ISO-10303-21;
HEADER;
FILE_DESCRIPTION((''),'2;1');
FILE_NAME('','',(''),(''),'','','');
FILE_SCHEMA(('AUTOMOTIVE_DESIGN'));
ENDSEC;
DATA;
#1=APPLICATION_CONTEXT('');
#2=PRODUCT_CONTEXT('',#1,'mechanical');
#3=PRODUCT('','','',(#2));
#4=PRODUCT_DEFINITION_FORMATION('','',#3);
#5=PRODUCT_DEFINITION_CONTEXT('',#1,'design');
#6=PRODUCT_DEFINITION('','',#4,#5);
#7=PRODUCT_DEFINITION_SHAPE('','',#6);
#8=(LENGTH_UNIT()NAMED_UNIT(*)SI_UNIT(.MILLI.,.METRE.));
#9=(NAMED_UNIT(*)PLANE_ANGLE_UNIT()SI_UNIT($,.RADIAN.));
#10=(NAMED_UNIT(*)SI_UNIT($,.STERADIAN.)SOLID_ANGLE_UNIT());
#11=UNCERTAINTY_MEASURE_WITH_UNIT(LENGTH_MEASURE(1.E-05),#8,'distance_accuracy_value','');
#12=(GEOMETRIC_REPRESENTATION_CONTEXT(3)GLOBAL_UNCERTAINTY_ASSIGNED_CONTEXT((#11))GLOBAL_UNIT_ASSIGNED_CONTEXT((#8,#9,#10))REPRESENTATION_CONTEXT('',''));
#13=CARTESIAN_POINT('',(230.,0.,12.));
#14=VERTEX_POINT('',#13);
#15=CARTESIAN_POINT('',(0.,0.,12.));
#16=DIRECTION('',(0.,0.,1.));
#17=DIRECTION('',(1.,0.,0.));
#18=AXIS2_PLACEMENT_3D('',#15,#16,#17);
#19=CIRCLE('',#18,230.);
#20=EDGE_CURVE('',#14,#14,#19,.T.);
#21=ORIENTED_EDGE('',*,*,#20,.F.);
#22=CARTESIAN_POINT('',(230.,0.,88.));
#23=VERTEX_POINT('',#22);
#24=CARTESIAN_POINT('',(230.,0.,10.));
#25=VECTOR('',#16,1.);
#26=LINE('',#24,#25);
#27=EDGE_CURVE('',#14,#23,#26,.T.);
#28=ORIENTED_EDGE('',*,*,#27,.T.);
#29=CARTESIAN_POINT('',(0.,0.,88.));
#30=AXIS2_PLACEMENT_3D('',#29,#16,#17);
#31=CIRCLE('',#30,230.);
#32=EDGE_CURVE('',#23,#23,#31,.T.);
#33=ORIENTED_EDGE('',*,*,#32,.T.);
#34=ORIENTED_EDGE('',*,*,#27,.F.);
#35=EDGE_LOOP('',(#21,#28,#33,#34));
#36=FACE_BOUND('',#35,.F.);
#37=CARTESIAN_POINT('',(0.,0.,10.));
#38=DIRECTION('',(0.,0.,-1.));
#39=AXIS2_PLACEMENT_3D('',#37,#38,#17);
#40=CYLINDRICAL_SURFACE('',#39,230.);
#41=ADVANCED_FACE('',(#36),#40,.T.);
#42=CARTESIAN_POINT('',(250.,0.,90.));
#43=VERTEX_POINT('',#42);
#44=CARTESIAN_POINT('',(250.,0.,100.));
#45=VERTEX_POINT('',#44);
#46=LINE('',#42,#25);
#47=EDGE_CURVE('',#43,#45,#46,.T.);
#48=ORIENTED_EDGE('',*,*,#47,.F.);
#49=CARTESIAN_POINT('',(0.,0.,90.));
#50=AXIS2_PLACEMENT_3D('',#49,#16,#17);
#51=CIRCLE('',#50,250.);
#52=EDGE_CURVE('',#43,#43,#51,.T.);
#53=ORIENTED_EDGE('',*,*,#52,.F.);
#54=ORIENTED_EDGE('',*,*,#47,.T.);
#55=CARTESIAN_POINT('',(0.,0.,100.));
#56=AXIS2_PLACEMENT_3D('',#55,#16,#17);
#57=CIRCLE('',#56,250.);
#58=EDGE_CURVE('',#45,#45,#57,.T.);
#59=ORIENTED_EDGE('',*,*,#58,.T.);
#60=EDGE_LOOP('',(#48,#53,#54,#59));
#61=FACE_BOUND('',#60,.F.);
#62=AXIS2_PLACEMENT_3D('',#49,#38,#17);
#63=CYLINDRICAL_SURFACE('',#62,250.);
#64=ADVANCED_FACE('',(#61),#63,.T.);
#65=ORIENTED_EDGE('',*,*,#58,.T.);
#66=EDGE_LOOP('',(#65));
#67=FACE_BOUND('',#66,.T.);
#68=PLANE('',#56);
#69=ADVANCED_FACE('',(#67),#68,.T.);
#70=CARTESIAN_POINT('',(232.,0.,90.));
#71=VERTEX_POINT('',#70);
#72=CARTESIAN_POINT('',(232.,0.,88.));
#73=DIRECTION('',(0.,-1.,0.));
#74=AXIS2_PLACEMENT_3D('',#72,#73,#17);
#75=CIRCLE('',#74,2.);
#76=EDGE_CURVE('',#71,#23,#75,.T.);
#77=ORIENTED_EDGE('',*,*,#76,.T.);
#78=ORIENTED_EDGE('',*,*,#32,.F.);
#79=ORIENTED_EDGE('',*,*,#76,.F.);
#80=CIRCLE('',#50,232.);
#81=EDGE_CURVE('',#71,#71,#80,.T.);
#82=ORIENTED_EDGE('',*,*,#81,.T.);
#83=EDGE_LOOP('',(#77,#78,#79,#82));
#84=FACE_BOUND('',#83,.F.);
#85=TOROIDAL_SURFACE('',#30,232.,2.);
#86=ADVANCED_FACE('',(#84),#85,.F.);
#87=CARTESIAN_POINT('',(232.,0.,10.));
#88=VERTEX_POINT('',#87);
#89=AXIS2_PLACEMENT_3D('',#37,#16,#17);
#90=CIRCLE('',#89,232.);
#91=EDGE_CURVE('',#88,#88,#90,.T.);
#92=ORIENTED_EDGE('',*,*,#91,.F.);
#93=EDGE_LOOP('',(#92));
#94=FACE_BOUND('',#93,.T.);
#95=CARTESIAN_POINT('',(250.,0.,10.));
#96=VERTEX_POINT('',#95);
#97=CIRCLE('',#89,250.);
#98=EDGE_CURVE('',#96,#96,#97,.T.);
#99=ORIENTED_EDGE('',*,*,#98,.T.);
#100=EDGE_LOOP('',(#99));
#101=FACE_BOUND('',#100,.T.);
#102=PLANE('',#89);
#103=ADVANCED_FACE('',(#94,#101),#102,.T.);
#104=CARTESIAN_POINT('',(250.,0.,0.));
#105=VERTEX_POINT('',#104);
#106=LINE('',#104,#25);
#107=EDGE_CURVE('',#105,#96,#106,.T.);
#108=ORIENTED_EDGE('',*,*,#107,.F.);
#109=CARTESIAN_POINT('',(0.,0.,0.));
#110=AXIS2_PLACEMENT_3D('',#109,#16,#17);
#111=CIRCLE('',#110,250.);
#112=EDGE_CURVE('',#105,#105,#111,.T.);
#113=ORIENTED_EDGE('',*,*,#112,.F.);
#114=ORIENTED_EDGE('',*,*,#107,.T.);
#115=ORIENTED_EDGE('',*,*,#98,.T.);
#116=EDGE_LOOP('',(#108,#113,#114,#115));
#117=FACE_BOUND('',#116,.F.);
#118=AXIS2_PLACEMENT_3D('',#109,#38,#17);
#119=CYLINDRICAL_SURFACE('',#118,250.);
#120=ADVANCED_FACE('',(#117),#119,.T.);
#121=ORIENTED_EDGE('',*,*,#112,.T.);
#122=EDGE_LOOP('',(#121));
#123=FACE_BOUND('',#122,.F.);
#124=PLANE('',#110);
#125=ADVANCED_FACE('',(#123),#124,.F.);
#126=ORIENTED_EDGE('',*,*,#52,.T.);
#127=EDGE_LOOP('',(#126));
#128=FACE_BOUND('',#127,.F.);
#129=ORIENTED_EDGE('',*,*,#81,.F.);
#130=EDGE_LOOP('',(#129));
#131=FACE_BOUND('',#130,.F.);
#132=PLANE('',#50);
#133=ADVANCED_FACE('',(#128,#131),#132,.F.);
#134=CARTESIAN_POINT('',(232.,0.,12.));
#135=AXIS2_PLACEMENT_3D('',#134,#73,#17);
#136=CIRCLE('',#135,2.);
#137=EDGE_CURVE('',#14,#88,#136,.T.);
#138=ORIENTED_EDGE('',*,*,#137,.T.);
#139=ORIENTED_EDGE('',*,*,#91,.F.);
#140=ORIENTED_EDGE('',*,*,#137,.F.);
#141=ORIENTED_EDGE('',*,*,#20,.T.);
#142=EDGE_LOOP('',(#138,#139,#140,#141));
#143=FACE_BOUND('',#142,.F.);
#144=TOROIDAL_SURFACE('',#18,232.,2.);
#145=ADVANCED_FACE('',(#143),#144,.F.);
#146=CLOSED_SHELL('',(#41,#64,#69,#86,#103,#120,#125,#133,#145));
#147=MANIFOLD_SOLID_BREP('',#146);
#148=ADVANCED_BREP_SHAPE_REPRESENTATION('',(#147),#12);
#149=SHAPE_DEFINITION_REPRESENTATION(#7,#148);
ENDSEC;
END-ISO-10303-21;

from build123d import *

# Parameters (mm, degrees)
F0_R     = 250
F1_DEPTH = 10
F2_R     = 230
F3_DEPTH = 80
F4_R     = 250
F5_DEPTH = 10
F6_R     = 2


with BuildPart() as f1:
    # F0 (on Top) → F1 (new body)
    with BuildSketch(Plane.XY):
        Circle(F0_R)
    extrude(amount=F1_DEPTH)

    # F2 (on face) → F3 (join)
    with BuildSketch(Plane.XY.offset(10)):
        Circle(F2_R)
    extrude(amount=F3_DEPTH)

    # F4 (on face) → F5 (join)
    with BuildSketch(Plane.XY.offset(90)):
        Circle(F4_R)
    extrude(amount=F5_DEPTH)

    # F6
    f6_edges = [f1.edges().sort_by_distance(p)[0] for p in [
        (230, 0, 50),
        (-230, 0, 10),
        (-230, 0, 90),
    ]]
    fillet(f6_edges, radius=F6_R)


solid = f1.part
